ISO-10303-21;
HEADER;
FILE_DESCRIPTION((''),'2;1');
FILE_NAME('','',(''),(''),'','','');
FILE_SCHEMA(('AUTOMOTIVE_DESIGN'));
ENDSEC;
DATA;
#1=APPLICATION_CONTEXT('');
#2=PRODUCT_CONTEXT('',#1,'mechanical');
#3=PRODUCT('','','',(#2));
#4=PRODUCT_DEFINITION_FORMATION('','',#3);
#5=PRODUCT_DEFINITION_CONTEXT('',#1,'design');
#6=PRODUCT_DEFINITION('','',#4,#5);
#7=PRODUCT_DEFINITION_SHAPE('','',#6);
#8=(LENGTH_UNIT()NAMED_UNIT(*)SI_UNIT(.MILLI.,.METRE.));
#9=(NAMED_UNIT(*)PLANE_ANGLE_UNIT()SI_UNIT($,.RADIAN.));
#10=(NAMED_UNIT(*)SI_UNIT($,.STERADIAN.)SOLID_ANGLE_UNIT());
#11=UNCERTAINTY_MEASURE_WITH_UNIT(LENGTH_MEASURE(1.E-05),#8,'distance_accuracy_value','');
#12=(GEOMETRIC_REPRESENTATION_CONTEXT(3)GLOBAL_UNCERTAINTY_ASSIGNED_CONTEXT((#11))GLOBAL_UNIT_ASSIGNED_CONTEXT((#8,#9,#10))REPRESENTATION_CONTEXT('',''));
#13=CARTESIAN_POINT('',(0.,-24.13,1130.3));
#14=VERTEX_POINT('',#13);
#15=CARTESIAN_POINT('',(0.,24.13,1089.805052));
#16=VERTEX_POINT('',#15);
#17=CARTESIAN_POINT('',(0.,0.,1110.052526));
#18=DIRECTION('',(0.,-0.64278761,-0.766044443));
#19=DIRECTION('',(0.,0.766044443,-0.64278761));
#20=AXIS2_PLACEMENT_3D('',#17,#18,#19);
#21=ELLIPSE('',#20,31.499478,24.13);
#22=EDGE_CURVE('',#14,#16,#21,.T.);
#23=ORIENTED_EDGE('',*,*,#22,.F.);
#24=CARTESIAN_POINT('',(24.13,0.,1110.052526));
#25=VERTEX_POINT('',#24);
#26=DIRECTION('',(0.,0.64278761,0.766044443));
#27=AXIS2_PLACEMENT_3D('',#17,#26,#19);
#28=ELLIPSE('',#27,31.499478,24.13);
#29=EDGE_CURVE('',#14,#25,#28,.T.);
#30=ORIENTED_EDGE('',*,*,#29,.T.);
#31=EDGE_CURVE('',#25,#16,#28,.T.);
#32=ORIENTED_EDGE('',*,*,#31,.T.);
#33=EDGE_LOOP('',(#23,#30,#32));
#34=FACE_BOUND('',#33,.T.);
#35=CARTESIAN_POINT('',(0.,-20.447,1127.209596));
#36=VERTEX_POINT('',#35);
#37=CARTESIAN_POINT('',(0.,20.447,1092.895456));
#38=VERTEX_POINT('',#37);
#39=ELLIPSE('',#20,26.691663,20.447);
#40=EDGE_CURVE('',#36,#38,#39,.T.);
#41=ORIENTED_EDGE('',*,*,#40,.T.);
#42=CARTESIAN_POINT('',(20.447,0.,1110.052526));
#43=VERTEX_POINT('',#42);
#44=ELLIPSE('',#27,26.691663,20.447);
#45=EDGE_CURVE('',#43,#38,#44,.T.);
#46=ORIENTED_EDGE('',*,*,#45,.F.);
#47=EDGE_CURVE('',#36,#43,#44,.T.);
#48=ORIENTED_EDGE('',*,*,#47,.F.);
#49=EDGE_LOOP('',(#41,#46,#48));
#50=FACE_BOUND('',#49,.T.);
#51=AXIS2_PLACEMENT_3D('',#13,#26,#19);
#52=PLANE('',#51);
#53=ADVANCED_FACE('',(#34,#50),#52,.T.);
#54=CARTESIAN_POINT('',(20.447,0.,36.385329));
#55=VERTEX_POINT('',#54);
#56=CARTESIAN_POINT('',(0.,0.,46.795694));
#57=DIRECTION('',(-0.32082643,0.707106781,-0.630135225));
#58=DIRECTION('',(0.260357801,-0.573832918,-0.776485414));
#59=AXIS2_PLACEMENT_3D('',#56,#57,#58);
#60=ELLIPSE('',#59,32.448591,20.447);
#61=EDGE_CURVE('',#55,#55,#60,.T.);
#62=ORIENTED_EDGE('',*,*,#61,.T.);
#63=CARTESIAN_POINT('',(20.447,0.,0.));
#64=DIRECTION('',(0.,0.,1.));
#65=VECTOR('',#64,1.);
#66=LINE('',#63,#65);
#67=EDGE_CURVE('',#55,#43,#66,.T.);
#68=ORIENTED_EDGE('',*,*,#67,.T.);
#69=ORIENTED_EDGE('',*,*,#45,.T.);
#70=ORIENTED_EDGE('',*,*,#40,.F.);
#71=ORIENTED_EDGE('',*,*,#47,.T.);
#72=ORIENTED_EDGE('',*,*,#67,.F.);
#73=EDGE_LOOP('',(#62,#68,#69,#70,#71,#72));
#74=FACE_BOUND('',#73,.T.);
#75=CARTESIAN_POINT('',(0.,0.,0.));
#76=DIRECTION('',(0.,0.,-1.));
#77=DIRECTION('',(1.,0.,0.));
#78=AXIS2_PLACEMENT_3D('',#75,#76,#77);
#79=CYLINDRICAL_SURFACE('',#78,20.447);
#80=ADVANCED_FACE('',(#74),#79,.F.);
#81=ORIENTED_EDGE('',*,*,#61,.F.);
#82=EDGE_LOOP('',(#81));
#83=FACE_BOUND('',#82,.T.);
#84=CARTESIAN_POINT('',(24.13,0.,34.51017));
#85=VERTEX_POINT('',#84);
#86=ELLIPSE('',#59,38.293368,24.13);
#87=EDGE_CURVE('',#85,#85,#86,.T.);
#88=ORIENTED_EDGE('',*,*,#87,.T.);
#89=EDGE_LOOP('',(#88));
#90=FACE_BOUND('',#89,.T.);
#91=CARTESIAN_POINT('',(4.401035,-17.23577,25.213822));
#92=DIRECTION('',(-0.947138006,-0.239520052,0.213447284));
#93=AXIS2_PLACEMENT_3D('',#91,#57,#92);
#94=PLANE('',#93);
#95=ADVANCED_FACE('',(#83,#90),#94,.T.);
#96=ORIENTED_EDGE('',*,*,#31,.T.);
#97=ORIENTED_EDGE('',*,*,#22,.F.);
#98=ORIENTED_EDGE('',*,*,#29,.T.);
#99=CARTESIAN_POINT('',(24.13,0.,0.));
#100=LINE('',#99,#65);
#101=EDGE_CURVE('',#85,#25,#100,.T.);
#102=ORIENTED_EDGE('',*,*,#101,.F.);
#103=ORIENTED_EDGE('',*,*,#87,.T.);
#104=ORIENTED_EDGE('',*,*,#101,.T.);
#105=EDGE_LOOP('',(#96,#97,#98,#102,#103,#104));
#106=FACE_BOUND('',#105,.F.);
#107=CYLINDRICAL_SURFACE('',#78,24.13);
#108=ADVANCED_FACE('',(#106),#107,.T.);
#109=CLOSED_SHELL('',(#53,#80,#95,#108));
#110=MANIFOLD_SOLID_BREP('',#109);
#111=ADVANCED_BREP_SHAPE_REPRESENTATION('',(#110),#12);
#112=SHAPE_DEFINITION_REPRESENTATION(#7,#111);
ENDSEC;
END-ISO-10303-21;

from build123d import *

# Parameters (mm, degrees)
F0_R          = 24.13
F0_R_2        = 20.447
F1_DEPTH      = 1130.3
F3_DEPTH      = 24.131
F3_DEPTH_BACK = 24.131
F5_DEPTH      = 24.131
F5_DEPTH_BACK = 24.131
F8_W          = 178.4191885963
F8_H          = 167.3920117319
F9_DEPTH      = 50.8
F9_DEPTH_BACK = 20.32


with BuildPart() as f1:
    # F0 (on Top) → F1 (new body)
    with BuildSketch(Plane.XY):
        Circle(F0_R)
        Circle(F0_R_2, mode=Mode.SUBTRACT)
    extrude(amount=F1_DEPTH)

    # F2 (on Right) → F3 (cut, two sides)
    with BuildSketch(Plane.YZ) as f3_sk:
        Polygon((24.13, 1089.8050517994), (24.13, 1130.3), (-24.13, 1130.3), align=None)
    extrude(amount=-F3_DEPTH, mode=Mode.SUBTRACT)
    extrude(f3_sk.sketch, amount=F3_DEPTH_BACK, mode=Mode.SUBTRACT)

    # F4 (on Front) → F5 (cut, two sides)
    with BuildSketch(Plane.XZ) as f5_sk:
        Polygon((-28.575, 0), (28.575, 0), (-28.575, 29.0972948719), align=None)
    extrude(amount=F5_DEPTH, mode=Mode.SUBTRACT)
    extrude(f5_sk.sketch, amount=-F5_DEPTH_BACK, mode=Mode.SUBTRACT)

    # F8 (on line) → F9 (cut, two sides)
    with BuildSketch(Plane(origin=(2.9412132624, -6.4824828952, 5.7768372862), x_dir=(-0.9471380058, -0.2395200516, 0.2134472836), z_dir=(-0.3208264297, 0.7071067812, -0.6301352252))) as f9_sk:
        with Locations((5.3417463787, 7.3568988591)):
            Rectangle(F8_W, F8_H)
    extrude(amount=F9_DEPTH, mode=Mode.SUBTRACT)
    extrude(f9_sk.sketch, amount=-F9_DEPTH_BACK, mode=Mode.SUBTRACT)


solid = f1.part
